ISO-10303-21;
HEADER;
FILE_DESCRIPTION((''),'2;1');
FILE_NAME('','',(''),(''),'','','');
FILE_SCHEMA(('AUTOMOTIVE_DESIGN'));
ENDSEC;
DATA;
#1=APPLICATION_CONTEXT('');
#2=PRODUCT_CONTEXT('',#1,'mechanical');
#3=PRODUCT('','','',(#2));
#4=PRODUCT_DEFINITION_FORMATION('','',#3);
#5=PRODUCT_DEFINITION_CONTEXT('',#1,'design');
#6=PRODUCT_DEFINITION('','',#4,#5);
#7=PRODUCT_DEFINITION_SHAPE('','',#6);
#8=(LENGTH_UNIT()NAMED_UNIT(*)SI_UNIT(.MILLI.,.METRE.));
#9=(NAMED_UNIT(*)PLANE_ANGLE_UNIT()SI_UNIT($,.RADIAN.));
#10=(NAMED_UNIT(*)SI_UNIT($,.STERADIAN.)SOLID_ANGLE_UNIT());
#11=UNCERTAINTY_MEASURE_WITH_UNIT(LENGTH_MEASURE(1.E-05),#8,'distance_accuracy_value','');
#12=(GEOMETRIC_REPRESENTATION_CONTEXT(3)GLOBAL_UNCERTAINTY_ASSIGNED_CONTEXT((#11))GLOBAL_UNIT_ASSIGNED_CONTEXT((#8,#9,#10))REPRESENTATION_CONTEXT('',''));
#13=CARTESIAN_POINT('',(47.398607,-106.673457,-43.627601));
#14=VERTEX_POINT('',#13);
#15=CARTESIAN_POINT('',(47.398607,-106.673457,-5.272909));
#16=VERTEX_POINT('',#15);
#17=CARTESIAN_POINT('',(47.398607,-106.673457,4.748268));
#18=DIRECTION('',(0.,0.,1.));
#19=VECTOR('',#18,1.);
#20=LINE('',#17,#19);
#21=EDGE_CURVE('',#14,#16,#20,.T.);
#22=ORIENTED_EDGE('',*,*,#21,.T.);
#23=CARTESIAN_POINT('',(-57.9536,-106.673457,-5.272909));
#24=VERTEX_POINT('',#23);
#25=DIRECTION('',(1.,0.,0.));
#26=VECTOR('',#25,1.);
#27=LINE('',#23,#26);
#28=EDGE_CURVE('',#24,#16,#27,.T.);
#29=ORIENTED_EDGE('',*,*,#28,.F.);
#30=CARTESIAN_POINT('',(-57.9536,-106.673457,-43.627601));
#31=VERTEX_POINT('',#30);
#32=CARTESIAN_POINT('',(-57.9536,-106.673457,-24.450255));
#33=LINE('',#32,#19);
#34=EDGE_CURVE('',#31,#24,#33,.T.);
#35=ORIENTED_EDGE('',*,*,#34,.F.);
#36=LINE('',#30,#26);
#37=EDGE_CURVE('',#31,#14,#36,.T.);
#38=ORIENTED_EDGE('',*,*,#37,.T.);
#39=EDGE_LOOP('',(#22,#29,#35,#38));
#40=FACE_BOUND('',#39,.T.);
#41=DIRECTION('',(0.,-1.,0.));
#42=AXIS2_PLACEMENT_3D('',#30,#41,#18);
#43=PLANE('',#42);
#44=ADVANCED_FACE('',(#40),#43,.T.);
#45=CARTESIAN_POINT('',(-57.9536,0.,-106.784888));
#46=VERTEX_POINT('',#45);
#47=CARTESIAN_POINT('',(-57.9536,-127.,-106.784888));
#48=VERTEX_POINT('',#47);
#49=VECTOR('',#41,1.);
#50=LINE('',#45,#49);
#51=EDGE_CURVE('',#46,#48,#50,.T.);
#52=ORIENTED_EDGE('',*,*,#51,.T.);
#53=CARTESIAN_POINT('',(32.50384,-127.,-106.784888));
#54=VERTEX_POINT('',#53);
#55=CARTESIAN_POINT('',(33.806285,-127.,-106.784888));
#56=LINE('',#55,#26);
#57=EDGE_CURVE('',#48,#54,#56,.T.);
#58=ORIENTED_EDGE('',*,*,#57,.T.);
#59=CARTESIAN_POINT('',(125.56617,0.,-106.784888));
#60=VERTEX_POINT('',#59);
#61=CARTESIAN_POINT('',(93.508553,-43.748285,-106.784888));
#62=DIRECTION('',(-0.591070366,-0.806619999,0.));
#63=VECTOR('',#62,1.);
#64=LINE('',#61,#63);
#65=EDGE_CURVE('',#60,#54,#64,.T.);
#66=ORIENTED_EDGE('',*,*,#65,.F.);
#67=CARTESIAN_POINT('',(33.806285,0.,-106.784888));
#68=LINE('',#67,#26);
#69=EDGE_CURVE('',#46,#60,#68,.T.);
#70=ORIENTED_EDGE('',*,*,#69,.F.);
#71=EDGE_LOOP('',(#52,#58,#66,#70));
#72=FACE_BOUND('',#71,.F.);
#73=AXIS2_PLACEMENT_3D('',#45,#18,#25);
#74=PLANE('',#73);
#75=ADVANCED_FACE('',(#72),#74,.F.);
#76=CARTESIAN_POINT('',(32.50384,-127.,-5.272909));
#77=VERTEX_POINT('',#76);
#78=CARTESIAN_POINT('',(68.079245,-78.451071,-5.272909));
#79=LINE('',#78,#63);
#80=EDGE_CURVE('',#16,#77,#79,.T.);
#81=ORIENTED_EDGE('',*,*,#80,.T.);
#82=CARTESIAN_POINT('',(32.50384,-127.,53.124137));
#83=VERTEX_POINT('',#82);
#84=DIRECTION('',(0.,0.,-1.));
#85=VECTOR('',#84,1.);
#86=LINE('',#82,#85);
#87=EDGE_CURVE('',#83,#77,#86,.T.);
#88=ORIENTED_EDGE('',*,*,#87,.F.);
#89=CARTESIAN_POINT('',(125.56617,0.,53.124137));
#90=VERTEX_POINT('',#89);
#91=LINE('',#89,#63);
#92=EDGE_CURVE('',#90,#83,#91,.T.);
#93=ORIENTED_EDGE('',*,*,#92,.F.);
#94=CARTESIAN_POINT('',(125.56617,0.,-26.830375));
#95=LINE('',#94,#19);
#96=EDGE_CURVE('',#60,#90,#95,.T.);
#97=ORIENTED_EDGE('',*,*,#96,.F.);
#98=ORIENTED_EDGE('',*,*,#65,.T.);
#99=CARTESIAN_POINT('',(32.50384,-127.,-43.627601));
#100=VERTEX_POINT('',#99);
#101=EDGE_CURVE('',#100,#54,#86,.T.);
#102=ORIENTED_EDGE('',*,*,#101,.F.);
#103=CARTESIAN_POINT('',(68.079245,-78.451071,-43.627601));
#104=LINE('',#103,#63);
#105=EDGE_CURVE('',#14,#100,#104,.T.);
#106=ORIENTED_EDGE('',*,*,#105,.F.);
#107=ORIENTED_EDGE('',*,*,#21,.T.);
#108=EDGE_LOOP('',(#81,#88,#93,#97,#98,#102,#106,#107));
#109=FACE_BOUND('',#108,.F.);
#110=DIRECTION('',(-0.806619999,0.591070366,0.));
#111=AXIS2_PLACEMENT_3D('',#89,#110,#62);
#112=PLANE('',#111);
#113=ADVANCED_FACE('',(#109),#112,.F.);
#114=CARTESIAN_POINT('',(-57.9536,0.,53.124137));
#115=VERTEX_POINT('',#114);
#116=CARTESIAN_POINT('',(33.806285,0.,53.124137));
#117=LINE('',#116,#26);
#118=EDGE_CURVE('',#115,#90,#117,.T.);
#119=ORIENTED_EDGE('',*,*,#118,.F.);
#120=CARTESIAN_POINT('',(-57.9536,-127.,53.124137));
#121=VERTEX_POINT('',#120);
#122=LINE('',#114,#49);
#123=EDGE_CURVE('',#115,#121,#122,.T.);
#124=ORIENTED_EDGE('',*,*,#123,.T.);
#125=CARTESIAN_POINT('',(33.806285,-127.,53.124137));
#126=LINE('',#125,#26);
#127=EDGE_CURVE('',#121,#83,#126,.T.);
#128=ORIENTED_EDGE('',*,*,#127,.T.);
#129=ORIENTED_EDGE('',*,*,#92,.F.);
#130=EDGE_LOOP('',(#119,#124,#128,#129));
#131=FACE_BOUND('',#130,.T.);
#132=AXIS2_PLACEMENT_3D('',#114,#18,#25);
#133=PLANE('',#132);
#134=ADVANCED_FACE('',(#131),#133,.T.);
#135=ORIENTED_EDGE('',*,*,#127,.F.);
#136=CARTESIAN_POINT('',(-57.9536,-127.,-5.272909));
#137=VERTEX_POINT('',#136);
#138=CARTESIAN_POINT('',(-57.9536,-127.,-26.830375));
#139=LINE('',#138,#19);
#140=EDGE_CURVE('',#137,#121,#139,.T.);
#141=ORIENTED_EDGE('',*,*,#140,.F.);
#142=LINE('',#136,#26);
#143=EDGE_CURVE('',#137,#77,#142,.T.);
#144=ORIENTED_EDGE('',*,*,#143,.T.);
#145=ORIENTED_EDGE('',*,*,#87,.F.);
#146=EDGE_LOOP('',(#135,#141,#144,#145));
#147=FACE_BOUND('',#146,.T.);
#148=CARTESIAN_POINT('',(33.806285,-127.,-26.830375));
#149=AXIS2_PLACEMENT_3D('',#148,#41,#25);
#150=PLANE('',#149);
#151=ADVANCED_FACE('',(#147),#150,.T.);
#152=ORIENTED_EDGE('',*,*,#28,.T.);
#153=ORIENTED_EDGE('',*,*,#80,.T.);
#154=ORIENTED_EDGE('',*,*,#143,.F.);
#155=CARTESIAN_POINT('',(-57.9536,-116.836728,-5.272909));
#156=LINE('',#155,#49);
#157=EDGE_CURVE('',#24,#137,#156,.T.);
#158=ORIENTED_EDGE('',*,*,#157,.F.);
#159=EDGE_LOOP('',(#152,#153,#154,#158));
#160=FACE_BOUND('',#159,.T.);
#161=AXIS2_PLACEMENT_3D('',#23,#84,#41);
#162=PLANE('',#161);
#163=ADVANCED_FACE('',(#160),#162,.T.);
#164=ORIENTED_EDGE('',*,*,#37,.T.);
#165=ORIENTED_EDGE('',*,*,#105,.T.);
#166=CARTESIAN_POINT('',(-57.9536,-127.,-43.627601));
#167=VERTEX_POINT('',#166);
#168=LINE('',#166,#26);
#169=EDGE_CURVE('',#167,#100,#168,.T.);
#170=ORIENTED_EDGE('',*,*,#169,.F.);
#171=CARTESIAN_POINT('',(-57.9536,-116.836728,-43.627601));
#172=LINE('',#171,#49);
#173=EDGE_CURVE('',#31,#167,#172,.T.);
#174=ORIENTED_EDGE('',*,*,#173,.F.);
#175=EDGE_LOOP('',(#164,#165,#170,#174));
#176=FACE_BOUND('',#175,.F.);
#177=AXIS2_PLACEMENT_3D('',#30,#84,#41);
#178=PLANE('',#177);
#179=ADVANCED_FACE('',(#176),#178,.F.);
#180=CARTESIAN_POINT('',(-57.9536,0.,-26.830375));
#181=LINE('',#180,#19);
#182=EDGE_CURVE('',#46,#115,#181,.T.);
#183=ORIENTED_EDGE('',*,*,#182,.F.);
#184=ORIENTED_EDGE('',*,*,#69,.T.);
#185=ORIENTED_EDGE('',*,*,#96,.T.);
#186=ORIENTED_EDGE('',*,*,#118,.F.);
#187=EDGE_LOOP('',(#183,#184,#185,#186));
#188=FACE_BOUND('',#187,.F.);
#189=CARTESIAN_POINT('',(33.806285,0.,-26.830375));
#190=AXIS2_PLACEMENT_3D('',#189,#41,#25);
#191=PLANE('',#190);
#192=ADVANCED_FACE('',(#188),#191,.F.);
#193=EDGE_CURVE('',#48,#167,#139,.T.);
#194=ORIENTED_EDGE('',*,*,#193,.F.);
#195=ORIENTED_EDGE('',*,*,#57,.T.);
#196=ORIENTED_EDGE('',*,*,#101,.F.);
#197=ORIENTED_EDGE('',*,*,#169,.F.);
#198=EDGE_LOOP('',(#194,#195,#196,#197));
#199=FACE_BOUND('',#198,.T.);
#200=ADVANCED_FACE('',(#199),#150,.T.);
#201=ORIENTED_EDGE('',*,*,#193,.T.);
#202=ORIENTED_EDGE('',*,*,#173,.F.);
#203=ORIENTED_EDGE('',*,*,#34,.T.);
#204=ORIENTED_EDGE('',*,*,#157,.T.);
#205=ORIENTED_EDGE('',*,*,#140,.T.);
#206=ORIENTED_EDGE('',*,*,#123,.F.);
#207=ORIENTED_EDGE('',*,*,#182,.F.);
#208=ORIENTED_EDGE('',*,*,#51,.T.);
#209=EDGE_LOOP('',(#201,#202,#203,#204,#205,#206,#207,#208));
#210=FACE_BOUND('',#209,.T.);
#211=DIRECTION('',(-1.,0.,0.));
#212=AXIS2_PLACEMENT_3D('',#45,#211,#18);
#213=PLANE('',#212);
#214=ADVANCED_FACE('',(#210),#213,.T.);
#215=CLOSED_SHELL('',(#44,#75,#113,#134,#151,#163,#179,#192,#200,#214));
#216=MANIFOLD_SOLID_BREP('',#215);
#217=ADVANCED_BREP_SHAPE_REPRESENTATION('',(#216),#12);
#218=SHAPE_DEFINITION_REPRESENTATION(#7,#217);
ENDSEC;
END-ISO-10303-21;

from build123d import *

# Parameters (mm, degrees)
F0_W     = 183.51976946
F0_H     = 159.9090248346
F1_DEPTH = 127
F3_DEPTH = 159.9100248346
F5_DEPTH = 159.9100248346
F6_W     = 20.3265432715
F6_H     = 38.354692515
F7_DEPTH = 183.52076946


with BuildPart() as f1:
    # F0 (on Front) → F1 (new body)
    with BuildSketch(Plane.XZ):
        with Locations((33.8062848896, -26.8303751945)):
            Rectangle(F0_W, F0_H)
    extrude(amount=F1_DEPTH)

    # F2 (on face) → F3 (cut, through all)
    with BuildSketch(Plane(origin=(0, 0, -106.7848876119), x_dir=(1, 0, 0), z_dir=(0, 0, -1))):
        Polygon((61.1603185534, 201.0327279568), (125.5661696196, 0), (249.7815191746, 14.9288764223), (305.6204319, 25.561010465), align=None)
    extrude(amount=-F3_DEPTH, mode=Mode.SUBTRACT)

    # F4 (on face) → F5 (cut, through all)
    with BuildSketch(Plane.XY.offset(53.1241372228)):
        Polygon((127.3305118084, 0), (125.5661696196, 0), (32.5038395822, -127), (137.3508572578, -127), (149.5707929134, 0), align=None)
    extrude(amount=-F5_DEPTH, mode=Mode.SUBTRACT)

    # F6 (on face) → F7 (cut, through all)
    with BuildSketch(Plane(origin=(-57.9535998404, 0, 0), x_dir=(0, -1, 0), z_dir=(-1, 0, 0))):
        with Locations((116.8367283642, -24.4502548594)):
            Rectangle(F6_W, F6_H)
    extrude(amount=-F7_DEPTH, mode=Mode.SUBTRACT)


solid = f1.part
